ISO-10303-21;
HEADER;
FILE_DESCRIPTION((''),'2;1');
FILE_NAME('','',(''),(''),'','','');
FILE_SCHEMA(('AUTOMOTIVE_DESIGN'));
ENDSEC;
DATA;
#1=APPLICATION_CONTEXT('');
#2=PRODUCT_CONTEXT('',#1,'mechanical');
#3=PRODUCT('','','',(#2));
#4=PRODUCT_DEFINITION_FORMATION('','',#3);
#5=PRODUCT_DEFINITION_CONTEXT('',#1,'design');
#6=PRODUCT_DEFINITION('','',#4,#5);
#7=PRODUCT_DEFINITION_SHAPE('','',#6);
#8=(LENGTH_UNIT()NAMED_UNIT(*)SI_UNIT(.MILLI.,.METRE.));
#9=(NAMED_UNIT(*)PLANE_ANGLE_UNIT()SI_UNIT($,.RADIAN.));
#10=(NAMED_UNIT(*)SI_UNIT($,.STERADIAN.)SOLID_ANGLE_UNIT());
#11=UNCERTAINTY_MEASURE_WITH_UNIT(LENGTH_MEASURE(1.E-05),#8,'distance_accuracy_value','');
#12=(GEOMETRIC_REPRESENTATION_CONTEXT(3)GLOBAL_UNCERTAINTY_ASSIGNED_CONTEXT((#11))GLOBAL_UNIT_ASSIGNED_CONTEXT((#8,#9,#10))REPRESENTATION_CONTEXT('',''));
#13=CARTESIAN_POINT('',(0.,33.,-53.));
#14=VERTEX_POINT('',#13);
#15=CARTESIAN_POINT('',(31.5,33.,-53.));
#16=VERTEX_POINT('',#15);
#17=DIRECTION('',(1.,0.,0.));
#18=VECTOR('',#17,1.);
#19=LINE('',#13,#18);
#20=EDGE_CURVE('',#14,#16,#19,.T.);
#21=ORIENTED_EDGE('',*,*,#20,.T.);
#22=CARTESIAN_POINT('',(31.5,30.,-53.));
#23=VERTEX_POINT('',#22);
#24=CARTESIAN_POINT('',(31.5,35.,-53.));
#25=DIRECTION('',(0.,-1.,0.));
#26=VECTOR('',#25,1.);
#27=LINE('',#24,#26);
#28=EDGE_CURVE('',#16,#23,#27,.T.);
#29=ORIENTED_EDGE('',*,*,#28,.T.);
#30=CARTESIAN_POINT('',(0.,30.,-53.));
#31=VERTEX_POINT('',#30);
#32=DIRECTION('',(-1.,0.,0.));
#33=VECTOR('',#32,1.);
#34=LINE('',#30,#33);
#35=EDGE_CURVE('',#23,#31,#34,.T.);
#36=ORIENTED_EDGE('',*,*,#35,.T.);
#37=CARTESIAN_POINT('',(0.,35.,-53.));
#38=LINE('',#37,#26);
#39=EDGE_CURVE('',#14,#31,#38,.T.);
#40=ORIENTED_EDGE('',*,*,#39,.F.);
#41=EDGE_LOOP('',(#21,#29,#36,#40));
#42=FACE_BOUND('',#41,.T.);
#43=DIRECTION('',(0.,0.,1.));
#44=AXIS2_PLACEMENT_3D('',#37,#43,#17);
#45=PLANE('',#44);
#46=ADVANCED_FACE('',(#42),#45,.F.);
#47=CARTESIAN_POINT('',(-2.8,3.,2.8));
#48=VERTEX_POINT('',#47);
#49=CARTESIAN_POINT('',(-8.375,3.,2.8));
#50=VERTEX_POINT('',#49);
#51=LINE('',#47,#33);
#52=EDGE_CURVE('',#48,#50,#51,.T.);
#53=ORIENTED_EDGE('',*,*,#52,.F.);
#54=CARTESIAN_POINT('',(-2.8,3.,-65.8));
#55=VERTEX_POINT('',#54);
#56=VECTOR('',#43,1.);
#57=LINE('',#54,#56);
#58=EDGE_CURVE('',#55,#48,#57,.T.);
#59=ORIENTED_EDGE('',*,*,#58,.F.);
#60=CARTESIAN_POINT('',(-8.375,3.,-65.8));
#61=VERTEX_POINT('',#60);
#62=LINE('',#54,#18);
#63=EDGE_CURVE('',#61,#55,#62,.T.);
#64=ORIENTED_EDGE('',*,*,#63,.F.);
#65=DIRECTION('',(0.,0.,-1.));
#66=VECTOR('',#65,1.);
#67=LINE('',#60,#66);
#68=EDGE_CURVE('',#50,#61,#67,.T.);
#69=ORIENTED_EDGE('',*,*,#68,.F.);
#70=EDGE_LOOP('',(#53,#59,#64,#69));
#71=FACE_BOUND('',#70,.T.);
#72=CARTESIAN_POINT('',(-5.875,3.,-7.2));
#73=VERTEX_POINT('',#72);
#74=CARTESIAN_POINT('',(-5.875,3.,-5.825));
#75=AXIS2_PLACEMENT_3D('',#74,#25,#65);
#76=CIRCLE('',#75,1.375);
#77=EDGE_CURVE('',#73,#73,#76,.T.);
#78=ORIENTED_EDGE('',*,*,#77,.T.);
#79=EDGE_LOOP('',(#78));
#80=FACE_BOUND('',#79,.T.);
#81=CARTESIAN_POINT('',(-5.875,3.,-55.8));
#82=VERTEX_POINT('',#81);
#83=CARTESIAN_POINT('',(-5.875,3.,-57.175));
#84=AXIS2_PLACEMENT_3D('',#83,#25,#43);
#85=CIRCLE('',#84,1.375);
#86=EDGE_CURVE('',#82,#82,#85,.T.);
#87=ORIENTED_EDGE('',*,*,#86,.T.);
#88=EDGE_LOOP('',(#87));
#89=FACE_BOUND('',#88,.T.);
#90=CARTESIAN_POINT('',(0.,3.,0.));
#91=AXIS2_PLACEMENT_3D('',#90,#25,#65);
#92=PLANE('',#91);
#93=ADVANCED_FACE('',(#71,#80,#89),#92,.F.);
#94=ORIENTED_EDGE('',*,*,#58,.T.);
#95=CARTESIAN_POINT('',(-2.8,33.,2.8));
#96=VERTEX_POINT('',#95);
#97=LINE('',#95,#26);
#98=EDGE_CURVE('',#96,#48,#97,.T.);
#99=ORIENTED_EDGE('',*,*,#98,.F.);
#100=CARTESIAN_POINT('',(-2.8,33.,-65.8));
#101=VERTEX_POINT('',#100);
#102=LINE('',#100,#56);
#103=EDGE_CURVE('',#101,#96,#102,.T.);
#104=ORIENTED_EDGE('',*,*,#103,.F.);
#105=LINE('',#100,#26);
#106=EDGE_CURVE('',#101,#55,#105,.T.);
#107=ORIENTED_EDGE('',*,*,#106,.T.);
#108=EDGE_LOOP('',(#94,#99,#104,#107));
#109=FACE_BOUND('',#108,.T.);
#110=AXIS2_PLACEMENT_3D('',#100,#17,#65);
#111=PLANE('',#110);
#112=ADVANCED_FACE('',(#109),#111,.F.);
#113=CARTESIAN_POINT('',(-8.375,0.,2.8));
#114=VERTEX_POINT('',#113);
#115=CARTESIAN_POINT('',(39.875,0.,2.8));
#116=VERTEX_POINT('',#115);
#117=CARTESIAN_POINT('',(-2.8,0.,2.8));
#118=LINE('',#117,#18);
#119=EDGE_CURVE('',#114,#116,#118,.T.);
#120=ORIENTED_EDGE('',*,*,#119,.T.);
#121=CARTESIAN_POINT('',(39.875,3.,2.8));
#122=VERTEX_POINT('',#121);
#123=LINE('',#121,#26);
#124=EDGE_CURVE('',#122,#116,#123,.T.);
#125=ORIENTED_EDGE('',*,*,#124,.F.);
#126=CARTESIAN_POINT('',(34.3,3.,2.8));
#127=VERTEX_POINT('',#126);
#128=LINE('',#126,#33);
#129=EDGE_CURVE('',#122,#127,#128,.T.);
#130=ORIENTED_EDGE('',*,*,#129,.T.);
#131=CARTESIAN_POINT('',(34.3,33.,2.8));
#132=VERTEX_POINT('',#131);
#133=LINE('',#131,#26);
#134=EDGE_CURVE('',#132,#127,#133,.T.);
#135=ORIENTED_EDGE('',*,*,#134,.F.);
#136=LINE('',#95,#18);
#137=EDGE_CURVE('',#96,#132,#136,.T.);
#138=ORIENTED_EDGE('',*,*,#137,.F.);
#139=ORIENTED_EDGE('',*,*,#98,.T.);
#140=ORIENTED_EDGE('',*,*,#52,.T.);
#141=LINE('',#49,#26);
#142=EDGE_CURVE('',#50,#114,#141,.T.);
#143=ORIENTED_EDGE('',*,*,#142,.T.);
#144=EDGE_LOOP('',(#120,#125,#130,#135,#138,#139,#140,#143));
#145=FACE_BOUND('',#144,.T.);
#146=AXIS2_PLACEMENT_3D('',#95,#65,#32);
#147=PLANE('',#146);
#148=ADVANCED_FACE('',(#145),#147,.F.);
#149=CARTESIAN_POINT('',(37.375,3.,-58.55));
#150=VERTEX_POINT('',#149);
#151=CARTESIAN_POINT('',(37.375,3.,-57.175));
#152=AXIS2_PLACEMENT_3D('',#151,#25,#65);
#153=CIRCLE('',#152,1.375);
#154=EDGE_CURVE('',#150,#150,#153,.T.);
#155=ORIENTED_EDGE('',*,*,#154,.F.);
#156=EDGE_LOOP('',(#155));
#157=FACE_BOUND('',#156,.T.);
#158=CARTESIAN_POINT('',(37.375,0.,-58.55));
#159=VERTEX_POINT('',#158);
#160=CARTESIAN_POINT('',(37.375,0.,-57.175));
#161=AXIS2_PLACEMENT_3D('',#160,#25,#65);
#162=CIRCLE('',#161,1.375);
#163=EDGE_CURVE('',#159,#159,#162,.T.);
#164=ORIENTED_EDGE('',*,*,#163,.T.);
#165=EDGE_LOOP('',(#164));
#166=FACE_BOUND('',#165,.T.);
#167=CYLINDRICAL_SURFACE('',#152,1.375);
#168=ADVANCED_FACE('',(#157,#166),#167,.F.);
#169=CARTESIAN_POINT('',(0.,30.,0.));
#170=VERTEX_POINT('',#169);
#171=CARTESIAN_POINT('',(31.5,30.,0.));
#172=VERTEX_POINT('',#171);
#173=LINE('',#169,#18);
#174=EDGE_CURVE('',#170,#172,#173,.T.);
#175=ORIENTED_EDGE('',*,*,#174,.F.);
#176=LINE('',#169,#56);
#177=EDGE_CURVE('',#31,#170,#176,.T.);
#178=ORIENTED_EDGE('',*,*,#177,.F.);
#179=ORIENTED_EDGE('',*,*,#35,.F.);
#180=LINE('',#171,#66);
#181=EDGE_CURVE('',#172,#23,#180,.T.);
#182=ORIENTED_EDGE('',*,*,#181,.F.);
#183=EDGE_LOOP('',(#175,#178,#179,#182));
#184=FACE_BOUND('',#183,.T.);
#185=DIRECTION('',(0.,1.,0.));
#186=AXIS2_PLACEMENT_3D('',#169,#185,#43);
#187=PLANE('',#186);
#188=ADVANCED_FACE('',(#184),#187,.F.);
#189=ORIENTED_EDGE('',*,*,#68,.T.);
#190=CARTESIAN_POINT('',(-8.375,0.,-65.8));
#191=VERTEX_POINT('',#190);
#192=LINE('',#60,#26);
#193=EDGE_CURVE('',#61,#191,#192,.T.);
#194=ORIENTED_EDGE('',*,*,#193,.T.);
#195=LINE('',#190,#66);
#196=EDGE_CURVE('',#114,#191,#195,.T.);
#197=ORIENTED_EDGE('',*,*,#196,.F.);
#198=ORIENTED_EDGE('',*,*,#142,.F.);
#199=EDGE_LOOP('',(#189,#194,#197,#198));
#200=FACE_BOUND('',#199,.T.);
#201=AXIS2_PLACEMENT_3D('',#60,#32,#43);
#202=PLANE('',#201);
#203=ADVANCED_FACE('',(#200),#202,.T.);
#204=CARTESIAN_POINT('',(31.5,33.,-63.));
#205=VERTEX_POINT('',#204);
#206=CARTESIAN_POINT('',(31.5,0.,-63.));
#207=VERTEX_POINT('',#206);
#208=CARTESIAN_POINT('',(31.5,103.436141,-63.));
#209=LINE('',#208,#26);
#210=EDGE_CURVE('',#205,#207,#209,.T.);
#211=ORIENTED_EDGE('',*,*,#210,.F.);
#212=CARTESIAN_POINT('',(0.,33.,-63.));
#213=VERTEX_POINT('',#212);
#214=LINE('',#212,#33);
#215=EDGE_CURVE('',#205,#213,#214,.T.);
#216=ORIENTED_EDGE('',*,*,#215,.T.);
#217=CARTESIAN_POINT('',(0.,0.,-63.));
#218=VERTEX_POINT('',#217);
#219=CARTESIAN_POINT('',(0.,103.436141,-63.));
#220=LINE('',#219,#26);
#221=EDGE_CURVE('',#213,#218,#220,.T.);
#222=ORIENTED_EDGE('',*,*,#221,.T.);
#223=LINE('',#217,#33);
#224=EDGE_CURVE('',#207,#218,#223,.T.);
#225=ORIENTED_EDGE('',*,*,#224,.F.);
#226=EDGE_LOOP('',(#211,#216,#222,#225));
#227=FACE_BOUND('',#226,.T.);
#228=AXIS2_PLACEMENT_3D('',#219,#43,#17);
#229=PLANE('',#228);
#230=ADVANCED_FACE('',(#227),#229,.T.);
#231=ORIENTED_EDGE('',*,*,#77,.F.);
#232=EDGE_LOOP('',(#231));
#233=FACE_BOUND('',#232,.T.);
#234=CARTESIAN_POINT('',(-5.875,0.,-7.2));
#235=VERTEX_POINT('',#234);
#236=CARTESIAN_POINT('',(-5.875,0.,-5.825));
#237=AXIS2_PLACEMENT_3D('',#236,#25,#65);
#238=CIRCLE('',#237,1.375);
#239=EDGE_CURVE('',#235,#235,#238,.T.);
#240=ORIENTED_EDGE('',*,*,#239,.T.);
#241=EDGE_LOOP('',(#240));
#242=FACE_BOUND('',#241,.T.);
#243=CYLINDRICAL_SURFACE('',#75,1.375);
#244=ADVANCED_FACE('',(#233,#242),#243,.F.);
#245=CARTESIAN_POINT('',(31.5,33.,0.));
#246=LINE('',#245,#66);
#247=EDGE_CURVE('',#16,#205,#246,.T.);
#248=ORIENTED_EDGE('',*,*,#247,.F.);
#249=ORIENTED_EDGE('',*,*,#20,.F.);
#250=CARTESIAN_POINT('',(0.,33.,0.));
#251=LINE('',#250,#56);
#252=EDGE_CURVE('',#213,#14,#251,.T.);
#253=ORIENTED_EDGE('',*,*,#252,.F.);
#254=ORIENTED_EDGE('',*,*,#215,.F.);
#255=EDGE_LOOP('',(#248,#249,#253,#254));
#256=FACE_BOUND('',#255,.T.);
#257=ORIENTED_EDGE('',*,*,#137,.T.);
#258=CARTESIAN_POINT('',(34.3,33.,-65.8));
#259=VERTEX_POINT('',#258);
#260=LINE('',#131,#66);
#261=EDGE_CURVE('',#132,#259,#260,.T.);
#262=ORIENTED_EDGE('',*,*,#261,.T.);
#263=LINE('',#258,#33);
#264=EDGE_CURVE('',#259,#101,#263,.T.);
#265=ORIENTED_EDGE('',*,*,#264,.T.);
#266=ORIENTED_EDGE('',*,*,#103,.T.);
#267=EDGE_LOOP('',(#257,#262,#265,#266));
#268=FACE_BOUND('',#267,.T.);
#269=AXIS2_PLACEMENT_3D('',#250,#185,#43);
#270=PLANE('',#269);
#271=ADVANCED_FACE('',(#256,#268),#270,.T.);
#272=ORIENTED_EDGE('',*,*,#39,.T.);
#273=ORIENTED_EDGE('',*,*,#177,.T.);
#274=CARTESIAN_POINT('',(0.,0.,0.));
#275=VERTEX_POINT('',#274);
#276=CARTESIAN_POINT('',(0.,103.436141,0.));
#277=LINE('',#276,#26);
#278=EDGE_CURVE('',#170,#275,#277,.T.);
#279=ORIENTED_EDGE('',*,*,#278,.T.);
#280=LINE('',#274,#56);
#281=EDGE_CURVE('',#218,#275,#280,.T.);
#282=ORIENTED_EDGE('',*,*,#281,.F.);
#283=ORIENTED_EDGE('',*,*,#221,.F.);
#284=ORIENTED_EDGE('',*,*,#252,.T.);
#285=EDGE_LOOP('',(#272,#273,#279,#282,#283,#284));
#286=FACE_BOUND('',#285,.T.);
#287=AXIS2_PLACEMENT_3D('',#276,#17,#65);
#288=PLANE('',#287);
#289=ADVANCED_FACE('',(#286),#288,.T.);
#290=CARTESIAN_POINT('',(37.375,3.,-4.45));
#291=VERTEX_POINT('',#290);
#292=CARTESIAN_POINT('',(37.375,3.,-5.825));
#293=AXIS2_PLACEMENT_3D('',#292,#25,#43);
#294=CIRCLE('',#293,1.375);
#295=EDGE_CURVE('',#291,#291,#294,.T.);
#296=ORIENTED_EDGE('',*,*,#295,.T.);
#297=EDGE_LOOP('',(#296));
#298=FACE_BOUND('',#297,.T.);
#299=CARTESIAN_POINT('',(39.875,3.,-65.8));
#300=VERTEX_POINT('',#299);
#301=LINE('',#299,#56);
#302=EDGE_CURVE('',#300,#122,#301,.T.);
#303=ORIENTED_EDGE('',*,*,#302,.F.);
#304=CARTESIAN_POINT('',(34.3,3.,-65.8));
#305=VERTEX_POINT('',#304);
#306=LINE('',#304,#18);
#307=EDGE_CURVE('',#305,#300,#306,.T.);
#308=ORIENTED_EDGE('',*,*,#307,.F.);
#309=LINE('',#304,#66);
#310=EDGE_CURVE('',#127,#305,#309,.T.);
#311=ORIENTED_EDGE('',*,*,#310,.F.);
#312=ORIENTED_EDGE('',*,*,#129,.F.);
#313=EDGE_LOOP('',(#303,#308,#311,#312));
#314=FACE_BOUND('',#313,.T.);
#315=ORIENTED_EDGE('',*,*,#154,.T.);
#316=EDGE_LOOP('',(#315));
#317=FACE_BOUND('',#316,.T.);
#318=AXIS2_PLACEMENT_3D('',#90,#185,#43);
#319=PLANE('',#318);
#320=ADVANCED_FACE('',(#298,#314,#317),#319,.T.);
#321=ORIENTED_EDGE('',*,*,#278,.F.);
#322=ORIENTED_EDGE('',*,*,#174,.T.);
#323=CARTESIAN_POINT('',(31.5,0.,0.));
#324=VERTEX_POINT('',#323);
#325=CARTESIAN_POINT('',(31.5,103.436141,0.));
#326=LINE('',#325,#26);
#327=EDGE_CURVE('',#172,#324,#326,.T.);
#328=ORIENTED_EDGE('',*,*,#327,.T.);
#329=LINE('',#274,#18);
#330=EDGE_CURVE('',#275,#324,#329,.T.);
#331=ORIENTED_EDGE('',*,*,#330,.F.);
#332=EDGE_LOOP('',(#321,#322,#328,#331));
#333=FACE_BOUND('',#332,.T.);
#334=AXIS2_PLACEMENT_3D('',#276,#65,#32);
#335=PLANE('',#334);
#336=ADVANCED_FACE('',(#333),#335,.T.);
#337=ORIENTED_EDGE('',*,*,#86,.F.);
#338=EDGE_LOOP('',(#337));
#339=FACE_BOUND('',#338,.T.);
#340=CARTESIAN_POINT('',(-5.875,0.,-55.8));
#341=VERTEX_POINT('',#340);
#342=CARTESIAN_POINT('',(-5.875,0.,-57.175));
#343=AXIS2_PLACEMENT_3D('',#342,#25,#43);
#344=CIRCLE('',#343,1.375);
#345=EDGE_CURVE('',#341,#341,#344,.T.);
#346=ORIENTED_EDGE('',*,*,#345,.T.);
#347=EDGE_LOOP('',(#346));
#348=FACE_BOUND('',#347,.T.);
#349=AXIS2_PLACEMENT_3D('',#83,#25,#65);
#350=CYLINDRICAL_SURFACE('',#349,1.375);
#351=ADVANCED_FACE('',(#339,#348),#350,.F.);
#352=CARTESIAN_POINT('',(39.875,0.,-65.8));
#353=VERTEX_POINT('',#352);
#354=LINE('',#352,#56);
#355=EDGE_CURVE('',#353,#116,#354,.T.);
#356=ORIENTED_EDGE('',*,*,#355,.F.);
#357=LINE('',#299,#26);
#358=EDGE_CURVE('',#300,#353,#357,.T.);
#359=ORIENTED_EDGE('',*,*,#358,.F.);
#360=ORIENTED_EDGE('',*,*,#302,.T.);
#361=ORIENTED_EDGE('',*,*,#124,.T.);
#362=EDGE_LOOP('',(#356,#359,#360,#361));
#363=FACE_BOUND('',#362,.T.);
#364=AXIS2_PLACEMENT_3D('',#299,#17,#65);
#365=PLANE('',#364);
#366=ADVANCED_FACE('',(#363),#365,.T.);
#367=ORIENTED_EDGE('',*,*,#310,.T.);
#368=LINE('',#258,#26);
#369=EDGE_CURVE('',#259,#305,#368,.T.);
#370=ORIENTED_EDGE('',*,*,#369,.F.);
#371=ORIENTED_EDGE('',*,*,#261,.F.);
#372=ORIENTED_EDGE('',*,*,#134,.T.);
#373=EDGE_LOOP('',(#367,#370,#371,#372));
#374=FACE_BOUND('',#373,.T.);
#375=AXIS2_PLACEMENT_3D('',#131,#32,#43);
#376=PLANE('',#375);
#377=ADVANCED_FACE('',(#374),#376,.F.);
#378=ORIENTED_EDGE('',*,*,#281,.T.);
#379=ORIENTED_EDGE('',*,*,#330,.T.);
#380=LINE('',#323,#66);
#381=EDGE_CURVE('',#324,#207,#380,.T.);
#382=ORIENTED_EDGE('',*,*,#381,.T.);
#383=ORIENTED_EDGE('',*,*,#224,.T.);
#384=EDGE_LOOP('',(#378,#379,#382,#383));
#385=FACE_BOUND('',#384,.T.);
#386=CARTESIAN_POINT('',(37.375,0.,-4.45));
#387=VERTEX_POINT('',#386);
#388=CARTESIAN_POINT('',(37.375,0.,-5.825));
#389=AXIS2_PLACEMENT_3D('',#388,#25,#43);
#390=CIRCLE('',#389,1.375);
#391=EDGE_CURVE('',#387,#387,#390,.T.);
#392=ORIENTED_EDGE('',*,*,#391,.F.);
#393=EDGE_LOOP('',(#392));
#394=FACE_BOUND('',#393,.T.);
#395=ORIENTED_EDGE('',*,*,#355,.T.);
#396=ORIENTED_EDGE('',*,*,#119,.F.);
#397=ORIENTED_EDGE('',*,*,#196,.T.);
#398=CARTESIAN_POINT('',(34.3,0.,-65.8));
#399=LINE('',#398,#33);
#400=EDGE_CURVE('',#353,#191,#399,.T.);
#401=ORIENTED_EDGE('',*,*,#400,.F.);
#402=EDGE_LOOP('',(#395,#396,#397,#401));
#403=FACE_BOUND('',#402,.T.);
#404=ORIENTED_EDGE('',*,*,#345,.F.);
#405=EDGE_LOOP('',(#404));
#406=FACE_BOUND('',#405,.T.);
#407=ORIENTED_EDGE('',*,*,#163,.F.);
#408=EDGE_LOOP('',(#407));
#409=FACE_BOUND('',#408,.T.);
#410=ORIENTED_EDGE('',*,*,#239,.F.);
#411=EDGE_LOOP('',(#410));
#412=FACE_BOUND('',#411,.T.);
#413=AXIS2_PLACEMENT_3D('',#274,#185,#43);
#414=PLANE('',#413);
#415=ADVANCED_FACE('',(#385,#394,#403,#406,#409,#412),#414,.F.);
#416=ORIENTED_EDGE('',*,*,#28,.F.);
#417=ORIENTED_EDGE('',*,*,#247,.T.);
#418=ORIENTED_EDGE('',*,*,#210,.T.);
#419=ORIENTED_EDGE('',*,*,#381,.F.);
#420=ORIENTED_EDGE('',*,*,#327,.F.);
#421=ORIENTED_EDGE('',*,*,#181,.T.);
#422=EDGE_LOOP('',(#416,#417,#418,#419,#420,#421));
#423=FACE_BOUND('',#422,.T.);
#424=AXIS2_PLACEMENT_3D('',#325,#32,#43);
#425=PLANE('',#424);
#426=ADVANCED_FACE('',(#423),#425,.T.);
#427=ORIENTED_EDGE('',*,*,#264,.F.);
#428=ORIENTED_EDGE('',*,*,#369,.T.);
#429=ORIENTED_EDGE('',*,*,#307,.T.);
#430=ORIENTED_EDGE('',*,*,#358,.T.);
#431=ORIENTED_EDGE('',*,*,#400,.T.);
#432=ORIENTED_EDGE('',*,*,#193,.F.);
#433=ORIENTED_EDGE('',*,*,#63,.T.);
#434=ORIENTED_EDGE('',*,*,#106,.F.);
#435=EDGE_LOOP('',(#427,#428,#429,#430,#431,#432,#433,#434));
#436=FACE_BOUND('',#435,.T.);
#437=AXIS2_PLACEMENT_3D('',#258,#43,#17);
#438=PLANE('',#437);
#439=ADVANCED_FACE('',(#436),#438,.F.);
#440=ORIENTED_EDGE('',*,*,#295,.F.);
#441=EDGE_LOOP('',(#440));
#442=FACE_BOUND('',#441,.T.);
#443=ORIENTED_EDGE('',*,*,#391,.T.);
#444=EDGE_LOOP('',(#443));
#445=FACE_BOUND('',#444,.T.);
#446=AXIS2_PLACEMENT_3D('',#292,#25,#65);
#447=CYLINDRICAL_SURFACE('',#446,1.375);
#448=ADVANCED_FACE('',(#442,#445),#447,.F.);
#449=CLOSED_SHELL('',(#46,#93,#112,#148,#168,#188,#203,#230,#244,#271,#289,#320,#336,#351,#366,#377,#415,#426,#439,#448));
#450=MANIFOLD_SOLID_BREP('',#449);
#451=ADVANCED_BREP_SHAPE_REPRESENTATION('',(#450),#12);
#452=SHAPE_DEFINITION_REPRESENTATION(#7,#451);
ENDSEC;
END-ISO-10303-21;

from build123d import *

# Parameters (mm, degrees)
SKETCH2_W           = 37.1
SKETCH2_H           = 68.6
BOSS_EXTRUDE1_DEPTH = 33
SKETCH1_W           = 31.5
SKETCH1_H           = 63
CUT_EXTRUDE1_DEPTH  = 30
SKETCH3_W           = 31.5
SKETCH3_H           = 10
CUT_EXTRUDE2_DEPTH  = 5
SKETCH6_W           = 5.575
SKETCH6_H           = 68.6
SKETCH6_R           = 1.375
BOSS_EXTRUDE2_DEPTH = 3


with BuildPart() as part:
    # Sketch2 → Boss-Extrude1 (new body)
    with BuildSketch(Plane(origin=(0, 0, 0), x_dir=(1, 0, 0), z_dir=(0, 1, 0))):
        with Locations((15.75, 31.5)):
            Rectangle(SKETCH2_W, SKETCH2_H)
    extrude(amount=BOSS_EXTRUDE1_DEPTH)

    # Sketch1 → Cut-Extrude1 (cut)
    with BuildSketch(Plane(origin=(0, 0, 0), x_dir=(1, 0, 0), z_dir=(0, 1, 0))):
        with Locations((15.75, 31.5)):
            Rectangle(SKETCH1_W, SKETCH1_H)
    extrude(amount=CUT_EXTRUDE1_DEPTH, mode=Mode.SUBTRACT)

    # Sketch3 → Cut-Extrude2 (cut)
    with BuildSketch(Plane.XZ.offset(-30)):
        with Locations((15.75, -58)):
            Rectangle(SKETCH3_W, SKETCH3_H)
    extrude(amount=-CUT_EXTRUDE2_DEPTH, mode=Mode.SUBTRACT)

    # Sketch6 → Boss-Extrude2 (add)
    # profile 1 of 2: a face of its own
    with BuildSketch(Plane.XZ):
        with Locations((37.0875, -31.5)):
            Rectangle(SKETCH6_W, SKETCH6_H)
        with Locations(Location((37.375, -57.175, 0), (0, 0, 270))):
            Circle(SKETCH6_R, mode=Mode.SUBTRACT)
        with Locations(Location((37.375, -5.825, 0), (0, 0, 90))):
            Circle(SKETCH6_R, mode=Mode.SUBTRACT)
    # profile 2 of 2: a face of its own
    with BuildSketch(Plane.XZ):
        with Locations((-5.5875, -31.5)):
            Rectangle(SKETCH6_W, SKETCH6_H)
        with Locations(Location((-5.875, -5.825, 0), (0, 0, 270))):
            Circle(SKETCH6_R, mode=Mode.SUBTRACT)
        with Locations(Location((-5.875, -57.175, 0), (0, 0, 90))):
            Circle(SKETCH6_R, mode=Mode.SUBTRACT)
    extrude(amount=-BOSS_EXTRUDE2_DEPTH)


solid = part.part
